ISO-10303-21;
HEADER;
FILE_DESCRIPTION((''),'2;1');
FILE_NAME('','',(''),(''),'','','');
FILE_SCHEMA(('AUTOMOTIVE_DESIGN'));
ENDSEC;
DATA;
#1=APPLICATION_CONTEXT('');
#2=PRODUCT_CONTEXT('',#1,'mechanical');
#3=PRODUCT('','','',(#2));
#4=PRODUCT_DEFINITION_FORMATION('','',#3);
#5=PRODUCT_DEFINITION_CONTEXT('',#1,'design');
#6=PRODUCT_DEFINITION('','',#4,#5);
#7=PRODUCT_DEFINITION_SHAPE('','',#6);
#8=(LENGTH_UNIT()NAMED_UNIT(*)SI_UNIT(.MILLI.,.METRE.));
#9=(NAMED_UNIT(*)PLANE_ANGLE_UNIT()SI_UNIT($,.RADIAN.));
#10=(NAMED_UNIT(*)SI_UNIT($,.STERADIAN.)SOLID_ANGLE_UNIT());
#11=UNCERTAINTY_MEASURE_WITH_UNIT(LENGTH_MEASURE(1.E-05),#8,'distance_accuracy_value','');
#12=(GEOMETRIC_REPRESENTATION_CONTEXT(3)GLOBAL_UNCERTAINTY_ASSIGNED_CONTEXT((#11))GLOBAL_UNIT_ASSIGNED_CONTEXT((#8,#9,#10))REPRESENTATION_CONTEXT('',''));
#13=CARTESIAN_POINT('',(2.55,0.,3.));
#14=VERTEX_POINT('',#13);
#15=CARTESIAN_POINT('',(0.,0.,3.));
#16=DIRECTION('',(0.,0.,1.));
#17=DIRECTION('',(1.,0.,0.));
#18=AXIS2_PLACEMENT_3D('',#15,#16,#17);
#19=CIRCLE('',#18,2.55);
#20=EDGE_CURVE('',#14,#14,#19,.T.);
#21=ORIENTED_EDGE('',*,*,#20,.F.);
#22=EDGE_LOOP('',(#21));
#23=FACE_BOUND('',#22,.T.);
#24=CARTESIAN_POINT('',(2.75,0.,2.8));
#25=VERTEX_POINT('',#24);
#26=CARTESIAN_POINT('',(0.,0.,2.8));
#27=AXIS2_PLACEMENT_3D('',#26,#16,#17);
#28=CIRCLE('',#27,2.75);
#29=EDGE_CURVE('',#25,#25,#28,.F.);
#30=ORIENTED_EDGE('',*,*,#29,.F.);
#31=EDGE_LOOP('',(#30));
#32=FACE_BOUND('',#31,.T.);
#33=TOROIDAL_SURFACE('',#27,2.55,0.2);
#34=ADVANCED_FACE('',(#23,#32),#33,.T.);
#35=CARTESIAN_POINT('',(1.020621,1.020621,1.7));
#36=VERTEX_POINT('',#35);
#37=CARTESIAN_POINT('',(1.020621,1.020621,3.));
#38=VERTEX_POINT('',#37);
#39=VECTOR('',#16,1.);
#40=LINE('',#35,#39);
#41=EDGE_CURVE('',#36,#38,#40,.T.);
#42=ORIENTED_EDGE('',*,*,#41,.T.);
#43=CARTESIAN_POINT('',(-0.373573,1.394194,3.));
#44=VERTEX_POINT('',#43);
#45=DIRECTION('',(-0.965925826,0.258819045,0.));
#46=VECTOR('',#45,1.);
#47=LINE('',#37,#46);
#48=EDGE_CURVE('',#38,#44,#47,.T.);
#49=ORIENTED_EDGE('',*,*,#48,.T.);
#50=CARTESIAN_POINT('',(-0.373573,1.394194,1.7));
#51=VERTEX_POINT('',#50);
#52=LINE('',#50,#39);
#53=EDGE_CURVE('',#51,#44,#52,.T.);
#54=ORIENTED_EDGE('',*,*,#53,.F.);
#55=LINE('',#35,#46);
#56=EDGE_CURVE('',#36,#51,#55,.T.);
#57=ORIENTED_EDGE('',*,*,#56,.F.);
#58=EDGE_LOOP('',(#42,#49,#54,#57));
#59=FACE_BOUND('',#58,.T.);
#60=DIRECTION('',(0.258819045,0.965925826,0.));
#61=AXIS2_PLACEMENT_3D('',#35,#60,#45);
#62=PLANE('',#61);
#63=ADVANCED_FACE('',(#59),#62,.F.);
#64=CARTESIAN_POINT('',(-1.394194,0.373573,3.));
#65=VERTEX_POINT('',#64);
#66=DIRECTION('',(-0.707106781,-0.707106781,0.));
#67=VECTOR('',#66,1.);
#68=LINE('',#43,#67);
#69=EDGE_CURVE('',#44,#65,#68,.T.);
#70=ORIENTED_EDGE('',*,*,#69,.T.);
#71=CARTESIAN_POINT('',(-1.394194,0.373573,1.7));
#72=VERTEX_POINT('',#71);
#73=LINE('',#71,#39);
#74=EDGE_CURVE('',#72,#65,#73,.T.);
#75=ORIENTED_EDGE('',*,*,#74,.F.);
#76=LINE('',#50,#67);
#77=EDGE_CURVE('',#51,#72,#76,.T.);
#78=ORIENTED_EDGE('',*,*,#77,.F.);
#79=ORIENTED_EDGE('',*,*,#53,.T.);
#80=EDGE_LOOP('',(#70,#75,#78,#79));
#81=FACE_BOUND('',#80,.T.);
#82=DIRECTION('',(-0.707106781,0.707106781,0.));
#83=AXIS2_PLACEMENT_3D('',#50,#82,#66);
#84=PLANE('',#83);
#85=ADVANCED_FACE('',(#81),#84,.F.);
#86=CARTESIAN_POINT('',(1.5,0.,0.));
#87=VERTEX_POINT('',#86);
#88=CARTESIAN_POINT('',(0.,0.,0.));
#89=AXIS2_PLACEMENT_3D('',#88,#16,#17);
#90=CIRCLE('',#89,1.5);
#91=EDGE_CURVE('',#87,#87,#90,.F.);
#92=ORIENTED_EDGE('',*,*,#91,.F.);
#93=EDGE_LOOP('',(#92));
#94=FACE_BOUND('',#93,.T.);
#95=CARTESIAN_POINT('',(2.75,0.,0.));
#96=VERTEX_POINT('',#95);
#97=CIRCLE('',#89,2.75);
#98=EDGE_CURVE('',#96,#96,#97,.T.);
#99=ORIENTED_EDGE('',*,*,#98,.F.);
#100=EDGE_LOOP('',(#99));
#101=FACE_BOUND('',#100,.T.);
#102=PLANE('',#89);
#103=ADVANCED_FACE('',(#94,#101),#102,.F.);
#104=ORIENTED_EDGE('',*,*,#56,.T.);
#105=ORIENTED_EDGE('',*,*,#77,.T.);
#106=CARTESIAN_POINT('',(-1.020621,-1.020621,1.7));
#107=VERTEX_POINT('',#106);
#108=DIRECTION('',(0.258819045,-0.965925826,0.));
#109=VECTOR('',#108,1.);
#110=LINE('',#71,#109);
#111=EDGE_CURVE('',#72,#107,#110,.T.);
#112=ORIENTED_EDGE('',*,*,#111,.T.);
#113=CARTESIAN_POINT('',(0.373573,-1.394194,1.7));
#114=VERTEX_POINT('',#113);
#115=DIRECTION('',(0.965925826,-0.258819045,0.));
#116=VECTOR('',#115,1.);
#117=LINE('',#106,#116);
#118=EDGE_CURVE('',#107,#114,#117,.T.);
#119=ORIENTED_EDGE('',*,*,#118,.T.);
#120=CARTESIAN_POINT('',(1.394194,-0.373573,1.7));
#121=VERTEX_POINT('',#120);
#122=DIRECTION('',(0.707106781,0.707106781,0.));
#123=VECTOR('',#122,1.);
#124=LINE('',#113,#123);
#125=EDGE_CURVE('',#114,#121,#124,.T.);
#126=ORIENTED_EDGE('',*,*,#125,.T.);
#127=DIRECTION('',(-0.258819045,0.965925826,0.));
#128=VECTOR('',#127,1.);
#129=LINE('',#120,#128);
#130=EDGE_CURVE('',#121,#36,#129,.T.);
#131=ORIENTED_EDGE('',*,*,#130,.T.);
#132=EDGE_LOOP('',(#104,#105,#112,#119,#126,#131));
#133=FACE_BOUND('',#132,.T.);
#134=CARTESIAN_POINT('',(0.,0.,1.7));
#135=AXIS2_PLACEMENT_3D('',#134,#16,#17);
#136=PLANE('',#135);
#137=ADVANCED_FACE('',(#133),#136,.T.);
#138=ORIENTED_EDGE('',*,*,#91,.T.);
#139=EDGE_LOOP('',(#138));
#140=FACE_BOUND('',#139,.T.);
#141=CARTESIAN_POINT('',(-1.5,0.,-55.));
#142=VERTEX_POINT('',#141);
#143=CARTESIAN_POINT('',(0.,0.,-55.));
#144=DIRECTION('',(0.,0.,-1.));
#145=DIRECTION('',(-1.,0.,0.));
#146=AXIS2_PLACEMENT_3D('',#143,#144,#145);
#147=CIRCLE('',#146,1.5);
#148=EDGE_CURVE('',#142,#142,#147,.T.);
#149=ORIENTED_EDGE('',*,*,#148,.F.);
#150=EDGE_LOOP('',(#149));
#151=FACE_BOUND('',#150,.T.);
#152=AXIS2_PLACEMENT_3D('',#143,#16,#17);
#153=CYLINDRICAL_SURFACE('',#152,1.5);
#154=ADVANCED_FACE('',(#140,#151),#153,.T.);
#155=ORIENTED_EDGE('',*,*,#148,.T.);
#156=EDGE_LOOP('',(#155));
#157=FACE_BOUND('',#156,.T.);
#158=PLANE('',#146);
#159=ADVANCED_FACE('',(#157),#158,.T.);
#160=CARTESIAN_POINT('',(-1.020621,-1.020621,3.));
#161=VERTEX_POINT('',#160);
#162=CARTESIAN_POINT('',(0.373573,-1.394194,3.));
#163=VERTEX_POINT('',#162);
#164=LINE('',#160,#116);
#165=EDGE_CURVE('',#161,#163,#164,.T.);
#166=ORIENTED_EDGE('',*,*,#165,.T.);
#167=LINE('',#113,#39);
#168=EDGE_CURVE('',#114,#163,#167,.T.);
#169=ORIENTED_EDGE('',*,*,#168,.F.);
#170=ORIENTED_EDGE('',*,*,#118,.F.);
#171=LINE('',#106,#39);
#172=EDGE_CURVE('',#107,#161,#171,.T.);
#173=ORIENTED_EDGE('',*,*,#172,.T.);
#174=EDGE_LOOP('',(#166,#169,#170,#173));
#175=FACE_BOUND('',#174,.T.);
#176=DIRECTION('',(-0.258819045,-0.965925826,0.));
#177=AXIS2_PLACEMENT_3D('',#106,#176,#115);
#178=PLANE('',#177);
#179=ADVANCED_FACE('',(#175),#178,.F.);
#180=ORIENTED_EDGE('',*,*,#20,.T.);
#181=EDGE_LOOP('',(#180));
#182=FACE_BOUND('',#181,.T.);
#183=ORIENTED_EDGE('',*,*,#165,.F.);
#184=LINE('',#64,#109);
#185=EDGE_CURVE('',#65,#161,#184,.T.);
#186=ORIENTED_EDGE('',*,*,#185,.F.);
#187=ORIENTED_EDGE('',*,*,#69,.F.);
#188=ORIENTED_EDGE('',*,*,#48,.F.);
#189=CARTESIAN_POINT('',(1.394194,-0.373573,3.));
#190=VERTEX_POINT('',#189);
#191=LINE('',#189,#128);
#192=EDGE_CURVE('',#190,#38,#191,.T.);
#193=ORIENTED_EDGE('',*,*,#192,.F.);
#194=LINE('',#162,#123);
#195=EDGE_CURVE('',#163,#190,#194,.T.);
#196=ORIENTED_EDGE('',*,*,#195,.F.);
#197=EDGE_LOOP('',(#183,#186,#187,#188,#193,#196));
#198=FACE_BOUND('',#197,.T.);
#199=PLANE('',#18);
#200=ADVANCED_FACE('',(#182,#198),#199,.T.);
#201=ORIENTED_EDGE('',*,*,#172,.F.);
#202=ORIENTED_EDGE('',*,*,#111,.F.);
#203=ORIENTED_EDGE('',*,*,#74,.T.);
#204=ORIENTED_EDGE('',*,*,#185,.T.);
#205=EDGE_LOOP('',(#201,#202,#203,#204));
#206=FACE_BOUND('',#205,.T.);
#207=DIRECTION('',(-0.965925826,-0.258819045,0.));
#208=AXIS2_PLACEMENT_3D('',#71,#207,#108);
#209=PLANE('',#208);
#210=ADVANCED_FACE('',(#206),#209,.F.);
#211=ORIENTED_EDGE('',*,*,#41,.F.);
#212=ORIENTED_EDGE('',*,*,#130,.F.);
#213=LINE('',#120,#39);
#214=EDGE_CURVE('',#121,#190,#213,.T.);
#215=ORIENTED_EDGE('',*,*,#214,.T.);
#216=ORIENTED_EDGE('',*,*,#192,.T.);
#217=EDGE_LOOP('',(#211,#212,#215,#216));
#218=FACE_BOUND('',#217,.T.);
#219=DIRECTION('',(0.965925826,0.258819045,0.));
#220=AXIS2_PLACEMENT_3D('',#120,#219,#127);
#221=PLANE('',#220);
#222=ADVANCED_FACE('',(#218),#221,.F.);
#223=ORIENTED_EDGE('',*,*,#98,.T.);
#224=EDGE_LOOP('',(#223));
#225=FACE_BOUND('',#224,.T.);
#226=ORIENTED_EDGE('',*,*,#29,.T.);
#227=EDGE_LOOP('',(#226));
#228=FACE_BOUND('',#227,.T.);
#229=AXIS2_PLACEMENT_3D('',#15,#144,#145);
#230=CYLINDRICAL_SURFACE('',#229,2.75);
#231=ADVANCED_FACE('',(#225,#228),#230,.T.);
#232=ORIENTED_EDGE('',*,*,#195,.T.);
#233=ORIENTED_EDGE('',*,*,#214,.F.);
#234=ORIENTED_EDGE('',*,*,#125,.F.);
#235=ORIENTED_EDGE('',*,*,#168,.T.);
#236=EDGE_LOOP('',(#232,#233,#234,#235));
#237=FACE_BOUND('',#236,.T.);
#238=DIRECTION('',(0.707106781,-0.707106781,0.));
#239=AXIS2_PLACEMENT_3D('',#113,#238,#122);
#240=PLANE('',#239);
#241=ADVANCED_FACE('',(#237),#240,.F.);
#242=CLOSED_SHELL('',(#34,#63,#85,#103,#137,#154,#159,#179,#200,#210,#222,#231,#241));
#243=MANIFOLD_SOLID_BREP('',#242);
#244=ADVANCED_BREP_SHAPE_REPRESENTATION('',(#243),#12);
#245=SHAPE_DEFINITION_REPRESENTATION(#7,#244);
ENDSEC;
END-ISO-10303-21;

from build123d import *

# Parameters (mm, degrees)
SKETCH_1_R          = 2.75
EXTRUDE_1_DEPTH     = 3
CUT_EXTRUDE_1_DEPTH = 1.3
SKETCH_3_R          = 1.5
EXTRUDE_2_DEPTH     = 55
FILLET_1_R          = 0.2


with BuildPart() as part:
    # 草图1 → 凸台-拉伸1 (new body)
    with BuildSketch(Plane.XY):
        Circle(SKETCH_1_R)
    extrude(amount=EXTRUDE_1_DEPTH)

    # 草图2 → 切除-拉伸1 (cut)
    with BuildSketch(Plane.XY.offset(3)):
        Polygon((-1.020620726, -1.020620726), (0.373573113, -1.39419384), (1.39419384, -0.373573113), (1.020620726, 1.020620726), (-0.373573113, 1.39419384), (-1.39419384, 0.373573113), align=None)
    extrude(amount=-CUT_EXTRUDE_1_DEPTH, mode=Mode.SUBTRACT)

    # 草图3 → 凸台-拉伸2 (add)
    with BuildSketch(Plane(origin=(0, 0, 0), x_dir=(-1, 0, 0), z_dir=(0, 0, -1))):
        with Locations(Location((0, 0, 0), (0, 0, 180))):
            Circle(SKETCH_3_R)
    extrude(amount=EXTRUDE_2_DEPTH)

    # 圆角1
    fillet_1_edges = [part.edges().sort_by_distance(p)[0] for p in [
        (-2.75, 0, 3),
    ]]
    fillet(fillet_1_edges, radius=FILLET_1_R)


solid = part.part
